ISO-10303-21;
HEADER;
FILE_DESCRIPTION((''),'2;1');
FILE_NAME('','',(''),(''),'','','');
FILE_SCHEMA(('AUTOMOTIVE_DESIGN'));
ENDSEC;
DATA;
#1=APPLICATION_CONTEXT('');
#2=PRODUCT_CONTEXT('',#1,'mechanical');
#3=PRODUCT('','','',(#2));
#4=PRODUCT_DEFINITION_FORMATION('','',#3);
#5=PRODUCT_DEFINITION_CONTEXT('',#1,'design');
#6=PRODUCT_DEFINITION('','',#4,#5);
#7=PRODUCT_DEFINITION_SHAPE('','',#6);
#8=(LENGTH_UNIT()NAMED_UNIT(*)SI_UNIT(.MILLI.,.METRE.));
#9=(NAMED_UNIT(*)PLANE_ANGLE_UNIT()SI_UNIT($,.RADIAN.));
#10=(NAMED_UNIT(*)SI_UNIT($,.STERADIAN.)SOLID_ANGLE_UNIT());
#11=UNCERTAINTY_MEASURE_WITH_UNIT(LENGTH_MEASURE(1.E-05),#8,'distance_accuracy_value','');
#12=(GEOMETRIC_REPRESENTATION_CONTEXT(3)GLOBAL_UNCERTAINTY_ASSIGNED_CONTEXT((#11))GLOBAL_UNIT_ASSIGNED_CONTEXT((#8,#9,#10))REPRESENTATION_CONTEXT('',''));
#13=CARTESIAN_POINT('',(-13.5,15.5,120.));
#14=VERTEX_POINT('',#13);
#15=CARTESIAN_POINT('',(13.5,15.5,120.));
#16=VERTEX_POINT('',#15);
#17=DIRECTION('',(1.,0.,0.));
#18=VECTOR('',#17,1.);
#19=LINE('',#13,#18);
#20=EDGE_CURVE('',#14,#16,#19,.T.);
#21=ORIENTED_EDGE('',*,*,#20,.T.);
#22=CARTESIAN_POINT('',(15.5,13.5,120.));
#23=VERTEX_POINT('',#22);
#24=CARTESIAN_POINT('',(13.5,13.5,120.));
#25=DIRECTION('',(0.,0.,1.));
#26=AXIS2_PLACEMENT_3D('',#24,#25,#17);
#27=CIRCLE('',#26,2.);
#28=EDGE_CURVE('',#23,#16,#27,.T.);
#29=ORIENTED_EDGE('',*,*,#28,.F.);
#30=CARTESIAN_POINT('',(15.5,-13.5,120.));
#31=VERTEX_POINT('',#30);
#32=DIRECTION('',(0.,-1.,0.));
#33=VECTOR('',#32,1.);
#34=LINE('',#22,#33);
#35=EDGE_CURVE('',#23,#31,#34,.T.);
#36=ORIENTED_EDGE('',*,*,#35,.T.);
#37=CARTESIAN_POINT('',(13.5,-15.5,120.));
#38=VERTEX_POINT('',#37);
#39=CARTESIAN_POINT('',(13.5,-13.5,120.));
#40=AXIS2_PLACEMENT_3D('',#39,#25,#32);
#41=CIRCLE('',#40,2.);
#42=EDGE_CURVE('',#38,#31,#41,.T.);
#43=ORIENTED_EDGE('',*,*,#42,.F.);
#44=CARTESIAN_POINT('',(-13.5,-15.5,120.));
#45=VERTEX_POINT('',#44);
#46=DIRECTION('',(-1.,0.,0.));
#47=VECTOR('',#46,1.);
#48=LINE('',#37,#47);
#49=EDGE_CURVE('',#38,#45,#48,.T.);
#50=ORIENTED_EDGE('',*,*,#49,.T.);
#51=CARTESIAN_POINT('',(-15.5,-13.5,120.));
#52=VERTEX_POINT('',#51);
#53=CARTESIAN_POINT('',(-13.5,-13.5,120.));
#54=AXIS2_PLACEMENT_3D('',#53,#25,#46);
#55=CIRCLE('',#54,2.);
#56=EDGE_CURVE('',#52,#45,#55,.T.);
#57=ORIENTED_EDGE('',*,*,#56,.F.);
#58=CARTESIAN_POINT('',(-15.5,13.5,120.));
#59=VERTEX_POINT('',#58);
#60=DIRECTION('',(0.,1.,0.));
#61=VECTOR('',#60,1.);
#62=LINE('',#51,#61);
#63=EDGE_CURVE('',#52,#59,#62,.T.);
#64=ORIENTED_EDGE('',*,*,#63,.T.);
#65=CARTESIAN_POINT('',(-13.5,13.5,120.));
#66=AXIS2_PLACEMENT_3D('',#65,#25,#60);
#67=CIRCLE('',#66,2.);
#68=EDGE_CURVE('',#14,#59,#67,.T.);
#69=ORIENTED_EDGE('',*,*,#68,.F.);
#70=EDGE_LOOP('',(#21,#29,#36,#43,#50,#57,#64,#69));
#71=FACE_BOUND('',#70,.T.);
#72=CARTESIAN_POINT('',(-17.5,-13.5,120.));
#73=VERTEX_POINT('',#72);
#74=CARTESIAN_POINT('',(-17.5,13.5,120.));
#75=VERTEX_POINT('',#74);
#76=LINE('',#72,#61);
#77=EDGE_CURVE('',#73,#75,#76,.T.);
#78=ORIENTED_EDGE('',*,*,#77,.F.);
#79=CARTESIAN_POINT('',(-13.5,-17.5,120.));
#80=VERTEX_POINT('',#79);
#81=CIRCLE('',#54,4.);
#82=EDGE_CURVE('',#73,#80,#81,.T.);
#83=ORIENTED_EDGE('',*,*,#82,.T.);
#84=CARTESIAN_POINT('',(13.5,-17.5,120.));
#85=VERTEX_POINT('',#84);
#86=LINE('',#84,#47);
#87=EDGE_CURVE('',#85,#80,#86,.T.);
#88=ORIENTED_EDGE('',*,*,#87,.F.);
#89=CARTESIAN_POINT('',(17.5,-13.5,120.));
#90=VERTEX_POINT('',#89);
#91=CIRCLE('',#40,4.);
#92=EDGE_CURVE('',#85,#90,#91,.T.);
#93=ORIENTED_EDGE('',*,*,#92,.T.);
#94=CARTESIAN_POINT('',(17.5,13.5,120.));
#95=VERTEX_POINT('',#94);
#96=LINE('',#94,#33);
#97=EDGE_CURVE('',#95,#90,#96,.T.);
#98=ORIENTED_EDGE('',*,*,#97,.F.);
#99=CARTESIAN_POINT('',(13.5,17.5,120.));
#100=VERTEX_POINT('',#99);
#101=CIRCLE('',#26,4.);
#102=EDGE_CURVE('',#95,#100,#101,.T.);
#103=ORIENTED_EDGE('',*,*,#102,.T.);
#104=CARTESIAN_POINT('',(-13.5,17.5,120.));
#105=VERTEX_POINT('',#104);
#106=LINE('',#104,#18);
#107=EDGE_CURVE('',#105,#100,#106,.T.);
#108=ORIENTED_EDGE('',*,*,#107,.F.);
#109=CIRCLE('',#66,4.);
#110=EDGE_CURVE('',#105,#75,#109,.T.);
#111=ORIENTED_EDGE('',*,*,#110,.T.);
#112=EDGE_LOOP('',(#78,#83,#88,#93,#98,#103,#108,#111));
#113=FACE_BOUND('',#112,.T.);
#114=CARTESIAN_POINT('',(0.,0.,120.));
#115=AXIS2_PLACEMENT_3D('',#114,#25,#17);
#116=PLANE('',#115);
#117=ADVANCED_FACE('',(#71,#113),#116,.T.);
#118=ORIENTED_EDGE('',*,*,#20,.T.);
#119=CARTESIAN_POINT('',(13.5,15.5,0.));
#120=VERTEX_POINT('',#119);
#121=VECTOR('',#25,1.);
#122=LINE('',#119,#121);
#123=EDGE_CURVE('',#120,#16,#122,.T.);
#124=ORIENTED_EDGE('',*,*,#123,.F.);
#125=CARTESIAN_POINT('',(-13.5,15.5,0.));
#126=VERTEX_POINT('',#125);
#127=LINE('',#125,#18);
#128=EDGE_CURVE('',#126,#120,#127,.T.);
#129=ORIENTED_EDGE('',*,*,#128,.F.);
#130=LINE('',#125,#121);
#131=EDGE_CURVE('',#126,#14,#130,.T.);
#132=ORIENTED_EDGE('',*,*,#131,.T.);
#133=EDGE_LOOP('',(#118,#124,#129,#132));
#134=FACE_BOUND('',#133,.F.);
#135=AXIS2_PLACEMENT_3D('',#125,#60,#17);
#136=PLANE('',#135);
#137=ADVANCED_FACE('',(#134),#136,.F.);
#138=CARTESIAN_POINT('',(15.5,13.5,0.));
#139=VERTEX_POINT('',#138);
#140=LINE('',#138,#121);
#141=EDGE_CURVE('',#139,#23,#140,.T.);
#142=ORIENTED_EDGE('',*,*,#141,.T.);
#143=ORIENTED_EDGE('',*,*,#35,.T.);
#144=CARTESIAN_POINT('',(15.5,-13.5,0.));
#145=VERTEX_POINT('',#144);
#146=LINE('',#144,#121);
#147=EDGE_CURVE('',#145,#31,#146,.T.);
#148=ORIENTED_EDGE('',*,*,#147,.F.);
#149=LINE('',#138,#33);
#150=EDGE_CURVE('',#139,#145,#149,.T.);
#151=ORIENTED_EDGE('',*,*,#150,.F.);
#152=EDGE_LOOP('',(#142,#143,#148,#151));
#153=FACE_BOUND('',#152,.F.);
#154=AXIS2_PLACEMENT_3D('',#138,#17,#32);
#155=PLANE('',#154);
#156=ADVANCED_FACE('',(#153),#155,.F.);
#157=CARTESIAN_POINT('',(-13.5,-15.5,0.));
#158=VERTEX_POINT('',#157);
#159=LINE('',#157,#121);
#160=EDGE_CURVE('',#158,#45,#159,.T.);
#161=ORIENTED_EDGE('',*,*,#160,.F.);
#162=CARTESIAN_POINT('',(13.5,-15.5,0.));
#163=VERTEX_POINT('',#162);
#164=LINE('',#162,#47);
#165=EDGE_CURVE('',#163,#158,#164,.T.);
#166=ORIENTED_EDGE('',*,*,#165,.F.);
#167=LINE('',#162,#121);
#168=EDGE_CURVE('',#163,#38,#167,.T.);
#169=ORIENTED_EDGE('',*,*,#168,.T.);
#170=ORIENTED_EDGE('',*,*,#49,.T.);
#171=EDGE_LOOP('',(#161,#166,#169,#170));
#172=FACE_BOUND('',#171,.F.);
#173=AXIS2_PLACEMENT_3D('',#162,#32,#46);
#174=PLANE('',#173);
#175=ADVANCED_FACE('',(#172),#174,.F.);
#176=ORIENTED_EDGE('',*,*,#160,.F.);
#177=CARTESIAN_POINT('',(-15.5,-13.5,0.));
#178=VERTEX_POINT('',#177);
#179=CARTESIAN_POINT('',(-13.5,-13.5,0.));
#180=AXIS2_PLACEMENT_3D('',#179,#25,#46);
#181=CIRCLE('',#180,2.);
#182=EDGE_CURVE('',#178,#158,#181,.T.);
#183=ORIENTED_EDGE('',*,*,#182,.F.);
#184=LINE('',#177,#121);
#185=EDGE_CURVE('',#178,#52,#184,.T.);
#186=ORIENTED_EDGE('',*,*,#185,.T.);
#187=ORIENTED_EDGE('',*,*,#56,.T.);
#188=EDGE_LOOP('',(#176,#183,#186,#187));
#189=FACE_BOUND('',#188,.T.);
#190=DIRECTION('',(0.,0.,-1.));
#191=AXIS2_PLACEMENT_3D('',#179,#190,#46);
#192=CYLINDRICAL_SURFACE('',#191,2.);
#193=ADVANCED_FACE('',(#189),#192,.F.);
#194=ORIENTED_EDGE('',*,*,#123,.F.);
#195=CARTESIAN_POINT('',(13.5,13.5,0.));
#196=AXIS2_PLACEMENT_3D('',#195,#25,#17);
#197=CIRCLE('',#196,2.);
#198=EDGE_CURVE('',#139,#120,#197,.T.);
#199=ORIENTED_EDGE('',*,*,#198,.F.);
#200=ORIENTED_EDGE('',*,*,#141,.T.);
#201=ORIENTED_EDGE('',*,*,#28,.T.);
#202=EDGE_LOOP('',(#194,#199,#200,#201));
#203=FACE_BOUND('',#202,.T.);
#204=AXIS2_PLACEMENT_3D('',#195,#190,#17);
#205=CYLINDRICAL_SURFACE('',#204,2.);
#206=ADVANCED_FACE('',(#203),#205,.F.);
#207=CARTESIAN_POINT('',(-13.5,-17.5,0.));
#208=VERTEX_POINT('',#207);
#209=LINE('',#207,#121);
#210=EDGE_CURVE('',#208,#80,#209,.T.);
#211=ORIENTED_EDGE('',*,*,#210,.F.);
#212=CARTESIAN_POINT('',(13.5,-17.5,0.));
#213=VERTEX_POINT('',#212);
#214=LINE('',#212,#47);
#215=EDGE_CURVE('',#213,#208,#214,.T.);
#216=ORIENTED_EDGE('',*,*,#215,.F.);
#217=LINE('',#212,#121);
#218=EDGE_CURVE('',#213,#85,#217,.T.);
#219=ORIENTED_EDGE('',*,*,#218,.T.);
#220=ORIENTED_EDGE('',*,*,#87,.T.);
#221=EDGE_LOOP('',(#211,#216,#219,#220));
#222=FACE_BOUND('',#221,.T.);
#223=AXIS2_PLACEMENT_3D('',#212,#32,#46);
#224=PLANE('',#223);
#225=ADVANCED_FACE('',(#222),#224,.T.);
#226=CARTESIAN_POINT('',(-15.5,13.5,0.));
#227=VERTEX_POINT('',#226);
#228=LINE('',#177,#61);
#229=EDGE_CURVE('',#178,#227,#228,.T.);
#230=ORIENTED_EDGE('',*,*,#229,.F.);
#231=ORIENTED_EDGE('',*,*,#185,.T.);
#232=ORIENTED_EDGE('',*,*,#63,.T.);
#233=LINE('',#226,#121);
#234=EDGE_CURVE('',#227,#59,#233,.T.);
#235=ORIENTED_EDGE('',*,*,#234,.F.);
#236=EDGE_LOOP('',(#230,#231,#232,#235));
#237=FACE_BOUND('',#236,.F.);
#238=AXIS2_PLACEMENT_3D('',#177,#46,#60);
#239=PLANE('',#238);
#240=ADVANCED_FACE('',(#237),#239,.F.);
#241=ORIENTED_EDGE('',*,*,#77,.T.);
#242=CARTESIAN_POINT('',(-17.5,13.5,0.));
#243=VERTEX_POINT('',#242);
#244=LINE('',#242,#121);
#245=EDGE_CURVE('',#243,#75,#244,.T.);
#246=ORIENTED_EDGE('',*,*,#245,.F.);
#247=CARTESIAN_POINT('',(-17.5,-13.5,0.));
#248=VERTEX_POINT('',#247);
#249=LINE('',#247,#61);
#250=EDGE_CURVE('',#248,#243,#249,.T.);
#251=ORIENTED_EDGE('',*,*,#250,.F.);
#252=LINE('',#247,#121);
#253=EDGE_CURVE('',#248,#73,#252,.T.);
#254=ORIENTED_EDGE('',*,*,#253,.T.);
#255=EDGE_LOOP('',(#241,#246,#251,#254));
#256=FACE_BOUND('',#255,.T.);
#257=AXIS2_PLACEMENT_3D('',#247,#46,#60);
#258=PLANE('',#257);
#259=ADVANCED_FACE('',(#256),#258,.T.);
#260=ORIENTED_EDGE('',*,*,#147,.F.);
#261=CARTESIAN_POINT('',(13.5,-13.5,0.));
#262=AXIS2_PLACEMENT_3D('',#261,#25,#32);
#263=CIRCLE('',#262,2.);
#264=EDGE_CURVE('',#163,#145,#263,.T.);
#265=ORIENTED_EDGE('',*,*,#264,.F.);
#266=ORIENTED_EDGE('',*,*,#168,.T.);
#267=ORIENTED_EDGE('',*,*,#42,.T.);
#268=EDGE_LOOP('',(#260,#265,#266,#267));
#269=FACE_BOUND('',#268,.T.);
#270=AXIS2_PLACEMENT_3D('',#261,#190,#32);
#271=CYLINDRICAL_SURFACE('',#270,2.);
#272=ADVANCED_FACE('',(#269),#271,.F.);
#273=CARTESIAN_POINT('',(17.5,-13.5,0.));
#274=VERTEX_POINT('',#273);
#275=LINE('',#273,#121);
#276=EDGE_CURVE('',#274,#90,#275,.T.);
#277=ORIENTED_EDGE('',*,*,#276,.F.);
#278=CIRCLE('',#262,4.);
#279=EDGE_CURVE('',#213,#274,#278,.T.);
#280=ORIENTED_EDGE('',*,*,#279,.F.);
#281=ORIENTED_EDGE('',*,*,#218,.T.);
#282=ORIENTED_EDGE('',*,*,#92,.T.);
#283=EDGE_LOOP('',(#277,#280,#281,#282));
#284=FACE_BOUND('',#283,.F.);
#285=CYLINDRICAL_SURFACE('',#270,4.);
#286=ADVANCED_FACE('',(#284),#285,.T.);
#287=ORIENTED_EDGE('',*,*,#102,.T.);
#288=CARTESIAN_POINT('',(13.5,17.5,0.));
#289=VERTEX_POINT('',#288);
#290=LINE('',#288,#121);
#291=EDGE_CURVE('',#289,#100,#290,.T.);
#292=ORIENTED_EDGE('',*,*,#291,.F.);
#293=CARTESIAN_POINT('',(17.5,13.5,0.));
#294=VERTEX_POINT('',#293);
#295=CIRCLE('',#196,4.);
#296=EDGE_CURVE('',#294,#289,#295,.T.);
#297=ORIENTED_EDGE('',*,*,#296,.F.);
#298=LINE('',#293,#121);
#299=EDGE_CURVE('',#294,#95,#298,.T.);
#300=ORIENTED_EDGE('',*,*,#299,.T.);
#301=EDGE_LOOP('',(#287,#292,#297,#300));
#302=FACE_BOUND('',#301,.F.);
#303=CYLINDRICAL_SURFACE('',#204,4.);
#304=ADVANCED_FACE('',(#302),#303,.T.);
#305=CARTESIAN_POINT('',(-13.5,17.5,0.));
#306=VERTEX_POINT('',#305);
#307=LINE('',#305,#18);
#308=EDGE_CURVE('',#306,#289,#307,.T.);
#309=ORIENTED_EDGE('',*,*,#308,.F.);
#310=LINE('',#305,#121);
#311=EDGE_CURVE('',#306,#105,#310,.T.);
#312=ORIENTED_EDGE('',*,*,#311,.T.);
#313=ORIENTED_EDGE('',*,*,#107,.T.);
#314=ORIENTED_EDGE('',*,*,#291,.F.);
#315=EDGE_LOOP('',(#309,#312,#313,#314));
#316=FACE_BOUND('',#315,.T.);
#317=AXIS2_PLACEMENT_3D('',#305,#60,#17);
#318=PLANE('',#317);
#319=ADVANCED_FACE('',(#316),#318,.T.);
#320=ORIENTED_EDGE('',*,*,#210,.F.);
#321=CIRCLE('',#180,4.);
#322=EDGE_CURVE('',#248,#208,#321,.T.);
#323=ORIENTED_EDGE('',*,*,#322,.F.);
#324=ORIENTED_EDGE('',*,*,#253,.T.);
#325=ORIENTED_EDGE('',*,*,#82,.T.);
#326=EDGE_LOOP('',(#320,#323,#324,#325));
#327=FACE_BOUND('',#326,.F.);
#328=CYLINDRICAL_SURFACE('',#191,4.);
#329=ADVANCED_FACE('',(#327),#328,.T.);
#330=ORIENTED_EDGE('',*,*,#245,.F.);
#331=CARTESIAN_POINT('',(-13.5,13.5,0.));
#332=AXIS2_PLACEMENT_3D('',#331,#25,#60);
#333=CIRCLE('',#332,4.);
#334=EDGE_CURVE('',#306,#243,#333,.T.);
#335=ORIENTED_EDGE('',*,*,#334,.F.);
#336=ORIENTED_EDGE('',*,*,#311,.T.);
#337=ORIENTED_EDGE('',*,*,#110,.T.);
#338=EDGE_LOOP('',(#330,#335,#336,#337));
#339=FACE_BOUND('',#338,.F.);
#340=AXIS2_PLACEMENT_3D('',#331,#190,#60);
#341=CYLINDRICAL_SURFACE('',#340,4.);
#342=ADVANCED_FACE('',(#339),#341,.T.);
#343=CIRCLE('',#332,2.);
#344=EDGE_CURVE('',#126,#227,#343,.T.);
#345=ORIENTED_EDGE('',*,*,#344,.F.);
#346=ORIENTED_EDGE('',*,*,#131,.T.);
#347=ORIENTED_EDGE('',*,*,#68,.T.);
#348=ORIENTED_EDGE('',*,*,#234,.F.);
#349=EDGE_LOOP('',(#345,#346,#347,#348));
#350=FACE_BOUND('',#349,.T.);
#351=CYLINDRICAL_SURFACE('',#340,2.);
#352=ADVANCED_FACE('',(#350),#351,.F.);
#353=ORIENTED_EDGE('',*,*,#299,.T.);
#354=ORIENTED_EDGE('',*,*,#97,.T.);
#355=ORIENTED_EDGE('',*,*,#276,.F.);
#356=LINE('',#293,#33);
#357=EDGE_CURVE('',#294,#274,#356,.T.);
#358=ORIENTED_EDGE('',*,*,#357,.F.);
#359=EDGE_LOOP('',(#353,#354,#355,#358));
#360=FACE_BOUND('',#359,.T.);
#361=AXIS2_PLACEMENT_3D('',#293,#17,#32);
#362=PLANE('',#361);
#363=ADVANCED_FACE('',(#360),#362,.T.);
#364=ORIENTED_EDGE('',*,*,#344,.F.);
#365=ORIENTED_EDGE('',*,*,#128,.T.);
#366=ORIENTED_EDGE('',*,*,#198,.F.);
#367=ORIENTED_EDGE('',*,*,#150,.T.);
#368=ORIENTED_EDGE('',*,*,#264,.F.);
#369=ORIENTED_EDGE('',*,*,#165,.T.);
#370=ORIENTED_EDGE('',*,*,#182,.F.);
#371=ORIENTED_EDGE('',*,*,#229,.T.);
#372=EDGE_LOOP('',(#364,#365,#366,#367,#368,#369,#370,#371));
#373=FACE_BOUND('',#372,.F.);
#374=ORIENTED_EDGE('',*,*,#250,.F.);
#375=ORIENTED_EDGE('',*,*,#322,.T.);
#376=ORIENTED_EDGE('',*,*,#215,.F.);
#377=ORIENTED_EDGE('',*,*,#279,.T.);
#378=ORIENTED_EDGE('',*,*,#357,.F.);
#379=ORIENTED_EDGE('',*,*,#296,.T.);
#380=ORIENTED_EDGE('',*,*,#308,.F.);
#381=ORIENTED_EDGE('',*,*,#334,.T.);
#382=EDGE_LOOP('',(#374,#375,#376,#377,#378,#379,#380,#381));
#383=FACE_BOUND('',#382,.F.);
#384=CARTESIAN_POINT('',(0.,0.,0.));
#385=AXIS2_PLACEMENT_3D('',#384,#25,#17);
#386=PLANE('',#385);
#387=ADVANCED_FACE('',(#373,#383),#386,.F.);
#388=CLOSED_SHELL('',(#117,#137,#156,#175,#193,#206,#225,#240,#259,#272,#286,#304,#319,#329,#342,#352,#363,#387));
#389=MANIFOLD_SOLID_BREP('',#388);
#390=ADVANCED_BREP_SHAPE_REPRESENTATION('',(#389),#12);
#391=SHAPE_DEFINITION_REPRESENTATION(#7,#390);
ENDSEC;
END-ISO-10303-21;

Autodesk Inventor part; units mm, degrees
ref_plane "YZ Plane" through (0, 0, 0) normal (1, 0, 0) x (0, 1, 0)
ref_plane "Start plane" through (0, 0, 0) normal (0, 0, 1) x (1, 0, 0)
ref_plane "End plane" through (0, 0, 120) normal (0, 0, 1) x (1, 0, 0)
sketch "Sketch" plane through (0, 0, 0) normal (0, 0, 1) x (1, 0, 0)
  line L0 (-17.5, -13.5) -> (-17.5, 13.5)
  line L1 (-13.5, 17.5) -> (13.5, 17.5)
  line L2 (17.5, 13.5) -> (17.5, -13.5)
  line L3 (13.5, -17.5) -> (-13.5, -17.5)
  arc A0 (-17.5, -13.5) -> (-13.5, -17.5) centre (-13.5, -13.5) ccw
  arc A1 (-13.5, 17.5) -> (-17.5, 13.5) centre (-13.5, 13.5) ccw
  arc A2 (17.5, 13.5) -> (13.5, 17.5) centre (13.5, 13.5) ccw
  arc A3 (13.5, -17.5) -> (17.5, -13.5) centre (13.5, -13.5) ccw
  arc A4 (-13.5, 15.5) -> (-15.5, 13.5) centre (-13.5, 13.5) ccw
  line L4 (-13.5, 15.5) -> (13.5, 15.5)
  arc A5 (15.5, 13.5) -> (13.5, 15.5) centre (13.5, 13.5) ccw
  line L5 (15.5, 13.5) -> (15.5, -13.5)
  arc A6 (13.5, -15.5) -> (15.5, -13.5) centre (13.5, -13.5) ccw
  line L6 (13.5, -15.5) -> (-13.5, -15.5)
  arc A7 (-15.5, -13.5) -> (-13.5, -15.5) centre (-13.5, -13.5) ccw
  line L7 (-15.5, -13.5) -> (-15.5, 13.5)
  line L8 (0, 25.6598) -> (0, -25.6598) construction
  line L9 (-25.6598, 0) -> (25.6598, 0) construction
  dimension "d7" = 4
  dimension "d10" = 35
  dimension "d11" = 35
  dimension "d12" = 2
  dimension "d15" = 17.5
  dimension "d16" = 17.5
extrude "Body" add sketch "Sketch" along normal up to surface (120 mm away) from surface at 0
sketch "Sketch3" plane through (0, 0, 0) normal (0, 0, 1) x (1, 0, 0)
  line L0 (0, 0) -> (10, 0)
ref_plane "Work Plane3" through (0, 0, 0) normal (0, -1, 0) x (1, 0, 0)
sketch "Sketch4" plane through (0, 0, 0) normal (0, -1, 0) x (1, 0, 0)
  line L0 (-2, 0) -> (12, 0)
  line L1 (-2, 120) -> (12, 120)
  dimension "d18" = 120
equation "\"d7\" = G_IR"
equation "\"d10\" = G_H"
equation "\"d11\" = G_W"
equation "\"d12\" = G_T"
equation "\"d15\" = 0.5 * d10"
equation "\"d16\" = 0.5 * d11"
equation "\"d3\" = G_L"
equation "\"G_W\" = 35"
equation "\"G_H\" = 35"
equation "\"G_T\" = 2"
equation "\"G_IR\" = 4"
equation "\"G_L\" = d18"
equation "\"G_OFFSET_START\" = 0"
equation "\"G_OFFSET_END\" = 0"
properties part number "AS 1163 - C350L0 35x35x2.0 SHS - 120" material "Steel, Mild"
